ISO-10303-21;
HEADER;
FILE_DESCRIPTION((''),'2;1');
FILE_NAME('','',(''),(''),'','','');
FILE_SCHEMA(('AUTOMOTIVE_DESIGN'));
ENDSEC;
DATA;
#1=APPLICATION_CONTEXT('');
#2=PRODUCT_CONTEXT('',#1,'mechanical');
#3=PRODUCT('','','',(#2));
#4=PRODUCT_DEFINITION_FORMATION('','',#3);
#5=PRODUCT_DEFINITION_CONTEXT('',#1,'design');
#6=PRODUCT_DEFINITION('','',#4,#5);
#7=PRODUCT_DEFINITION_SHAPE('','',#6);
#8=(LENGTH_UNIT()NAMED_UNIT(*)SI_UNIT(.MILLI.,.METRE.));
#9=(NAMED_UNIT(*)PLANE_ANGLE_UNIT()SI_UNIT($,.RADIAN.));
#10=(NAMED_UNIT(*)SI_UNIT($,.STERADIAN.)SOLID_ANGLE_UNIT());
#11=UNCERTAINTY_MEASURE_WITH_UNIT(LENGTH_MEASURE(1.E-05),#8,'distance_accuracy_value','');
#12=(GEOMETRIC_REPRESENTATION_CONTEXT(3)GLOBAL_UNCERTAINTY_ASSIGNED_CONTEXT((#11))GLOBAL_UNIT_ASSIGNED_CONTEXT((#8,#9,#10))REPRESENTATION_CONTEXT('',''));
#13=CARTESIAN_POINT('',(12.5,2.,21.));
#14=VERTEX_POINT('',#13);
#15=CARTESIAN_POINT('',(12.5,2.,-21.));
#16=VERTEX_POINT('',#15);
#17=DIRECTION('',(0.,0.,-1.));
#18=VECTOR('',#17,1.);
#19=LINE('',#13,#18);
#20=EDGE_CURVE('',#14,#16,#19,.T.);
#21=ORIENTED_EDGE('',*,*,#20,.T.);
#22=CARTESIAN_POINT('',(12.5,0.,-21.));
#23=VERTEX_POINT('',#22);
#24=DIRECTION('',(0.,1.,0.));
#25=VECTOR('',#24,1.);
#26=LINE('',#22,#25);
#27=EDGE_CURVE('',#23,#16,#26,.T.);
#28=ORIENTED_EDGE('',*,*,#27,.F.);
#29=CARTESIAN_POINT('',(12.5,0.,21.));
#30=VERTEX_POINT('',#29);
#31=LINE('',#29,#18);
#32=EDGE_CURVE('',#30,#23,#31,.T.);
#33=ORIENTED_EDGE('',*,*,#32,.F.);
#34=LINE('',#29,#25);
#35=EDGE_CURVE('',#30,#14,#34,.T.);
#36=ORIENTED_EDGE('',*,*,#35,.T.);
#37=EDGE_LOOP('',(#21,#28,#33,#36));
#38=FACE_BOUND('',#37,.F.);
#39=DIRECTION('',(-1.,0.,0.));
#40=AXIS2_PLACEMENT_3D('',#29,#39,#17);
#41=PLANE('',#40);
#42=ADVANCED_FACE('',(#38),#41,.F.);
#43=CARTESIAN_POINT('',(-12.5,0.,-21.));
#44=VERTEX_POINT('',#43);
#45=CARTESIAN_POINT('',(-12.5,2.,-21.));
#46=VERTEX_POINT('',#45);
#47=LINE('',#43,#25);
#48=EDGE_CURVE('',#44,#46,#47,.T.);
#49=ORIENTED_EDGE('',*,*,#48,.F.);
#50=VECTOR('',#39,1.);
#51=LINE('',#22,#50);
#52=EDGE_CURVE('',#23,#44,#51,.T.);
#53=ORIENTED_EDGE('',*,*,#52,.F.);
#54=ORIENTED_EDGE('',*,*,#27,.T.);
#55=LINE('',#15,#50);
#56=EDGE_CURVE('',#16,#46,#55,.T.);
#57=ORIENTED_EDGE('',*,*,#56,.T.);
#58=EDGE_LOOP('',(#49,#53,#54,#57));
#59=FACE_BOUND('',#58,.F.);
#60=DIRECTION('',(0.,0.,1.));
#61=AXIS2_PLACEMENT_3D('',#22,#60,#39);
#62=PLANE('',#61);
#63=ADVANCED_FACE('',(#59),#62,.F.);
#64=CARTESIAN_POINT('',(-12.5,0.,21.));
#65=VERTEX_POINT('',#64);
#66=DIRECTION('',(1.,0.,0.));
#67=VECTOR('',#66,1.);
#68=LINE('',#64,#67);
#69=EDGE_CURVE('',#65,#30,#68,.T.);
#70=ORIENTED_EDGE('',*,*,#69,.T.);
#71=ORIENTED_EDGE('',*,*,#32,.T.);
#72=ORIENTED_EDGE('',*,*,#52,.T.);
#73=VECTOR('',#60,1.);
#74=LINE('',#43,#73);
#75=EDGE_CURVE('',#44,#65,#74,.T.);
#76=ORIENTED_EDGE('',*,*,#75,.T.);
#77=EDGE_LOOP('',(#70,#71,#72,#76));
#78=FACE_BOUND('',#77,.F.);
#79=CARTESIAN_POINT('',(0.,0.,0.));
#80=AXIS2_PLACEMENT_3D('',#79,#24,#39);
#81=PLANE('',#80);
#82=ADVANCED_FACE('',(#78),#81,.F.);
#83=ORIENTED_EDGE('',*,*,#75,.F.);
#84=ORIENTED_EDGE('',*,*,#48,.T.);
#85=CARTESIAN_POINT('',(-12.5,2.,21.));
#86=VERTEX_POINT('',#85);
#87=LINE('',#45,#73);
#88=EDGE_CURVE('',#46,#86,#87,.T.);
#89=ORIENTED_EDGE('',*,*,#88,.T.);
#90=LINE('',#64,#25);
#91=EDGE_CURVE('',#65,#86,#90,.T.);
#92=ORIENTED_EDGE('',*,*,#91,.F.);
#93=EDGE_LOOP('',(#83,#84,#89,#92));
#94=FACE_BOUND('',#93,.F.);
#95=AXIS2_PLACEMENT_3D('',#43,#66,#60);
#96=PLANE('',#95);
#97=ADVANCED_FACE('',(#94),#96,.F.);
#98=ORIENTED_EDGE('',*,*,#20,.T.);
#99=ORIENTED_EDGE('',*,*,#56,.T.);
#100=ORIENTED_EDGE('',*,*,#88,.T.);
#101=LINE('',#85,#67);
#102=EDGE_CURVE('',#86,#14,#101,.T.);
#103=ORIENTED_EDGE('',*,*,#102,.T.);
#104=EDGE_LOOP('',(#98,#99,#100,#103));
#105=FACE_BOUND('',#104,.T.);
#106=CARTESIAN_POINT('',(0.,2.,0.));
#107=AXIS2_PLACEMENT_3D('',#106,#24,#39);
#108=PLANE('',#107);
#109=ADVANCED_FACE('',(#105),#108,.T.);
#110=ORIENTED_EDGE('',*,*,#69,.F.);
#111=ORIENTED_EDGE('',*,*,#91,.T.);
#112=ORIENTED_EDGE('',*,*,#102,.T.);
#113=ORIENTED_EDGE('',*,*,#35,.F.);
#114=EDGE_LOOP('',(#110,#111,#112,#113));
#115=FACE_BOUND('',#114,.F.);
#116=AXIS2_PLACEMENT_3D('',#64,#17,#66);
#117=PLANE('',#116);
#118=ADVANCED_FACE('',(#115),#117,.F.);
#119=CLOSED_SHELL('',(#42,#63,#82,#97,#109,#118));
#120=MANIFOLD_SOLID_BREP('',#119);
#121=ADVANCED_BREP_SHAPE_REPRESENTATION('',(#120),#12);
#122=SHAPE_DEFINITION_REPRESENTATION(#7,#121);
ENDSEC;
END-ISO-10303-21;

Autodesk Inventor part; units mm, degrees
ref_plane "YZ Plane" through (0, 0, 0) normal (1, 0, 0) x (0, 1, 0)
ref_plane "XZ Plane" through (0, 0, 0) normal (0, 1, 0) x (-1, 0, 0)
ref_plane "XY Plane" through (0, 0, 0) normal (0, 0, 1) x (1, 0, 0)
sketch "Sketch8" plane through (0, 0, 0) normal (0, 1, 0) x (-1, 0, 0)
  line L0 (12.5, 21) -> (-12.5, 21)
  line L1 (-12.5, 21) -> (-12.5, -21)
  line L2 (-12.5, -21) -> (12.5, -21)
  line L3 (12.5, -21) -> (12.5, 21)
  line L4 (12.5, 21) -> (-12.5, -21) construction
  line L5 (-12.5, 21) -> (12.5, -21) construction
  point P0 (0, 0)
  dimension "d63" = 42
  dimension "d64" = 25
extrude "Extrusion8" add sketch "Sketch8" along normal blind 2
properties part number "esc"
